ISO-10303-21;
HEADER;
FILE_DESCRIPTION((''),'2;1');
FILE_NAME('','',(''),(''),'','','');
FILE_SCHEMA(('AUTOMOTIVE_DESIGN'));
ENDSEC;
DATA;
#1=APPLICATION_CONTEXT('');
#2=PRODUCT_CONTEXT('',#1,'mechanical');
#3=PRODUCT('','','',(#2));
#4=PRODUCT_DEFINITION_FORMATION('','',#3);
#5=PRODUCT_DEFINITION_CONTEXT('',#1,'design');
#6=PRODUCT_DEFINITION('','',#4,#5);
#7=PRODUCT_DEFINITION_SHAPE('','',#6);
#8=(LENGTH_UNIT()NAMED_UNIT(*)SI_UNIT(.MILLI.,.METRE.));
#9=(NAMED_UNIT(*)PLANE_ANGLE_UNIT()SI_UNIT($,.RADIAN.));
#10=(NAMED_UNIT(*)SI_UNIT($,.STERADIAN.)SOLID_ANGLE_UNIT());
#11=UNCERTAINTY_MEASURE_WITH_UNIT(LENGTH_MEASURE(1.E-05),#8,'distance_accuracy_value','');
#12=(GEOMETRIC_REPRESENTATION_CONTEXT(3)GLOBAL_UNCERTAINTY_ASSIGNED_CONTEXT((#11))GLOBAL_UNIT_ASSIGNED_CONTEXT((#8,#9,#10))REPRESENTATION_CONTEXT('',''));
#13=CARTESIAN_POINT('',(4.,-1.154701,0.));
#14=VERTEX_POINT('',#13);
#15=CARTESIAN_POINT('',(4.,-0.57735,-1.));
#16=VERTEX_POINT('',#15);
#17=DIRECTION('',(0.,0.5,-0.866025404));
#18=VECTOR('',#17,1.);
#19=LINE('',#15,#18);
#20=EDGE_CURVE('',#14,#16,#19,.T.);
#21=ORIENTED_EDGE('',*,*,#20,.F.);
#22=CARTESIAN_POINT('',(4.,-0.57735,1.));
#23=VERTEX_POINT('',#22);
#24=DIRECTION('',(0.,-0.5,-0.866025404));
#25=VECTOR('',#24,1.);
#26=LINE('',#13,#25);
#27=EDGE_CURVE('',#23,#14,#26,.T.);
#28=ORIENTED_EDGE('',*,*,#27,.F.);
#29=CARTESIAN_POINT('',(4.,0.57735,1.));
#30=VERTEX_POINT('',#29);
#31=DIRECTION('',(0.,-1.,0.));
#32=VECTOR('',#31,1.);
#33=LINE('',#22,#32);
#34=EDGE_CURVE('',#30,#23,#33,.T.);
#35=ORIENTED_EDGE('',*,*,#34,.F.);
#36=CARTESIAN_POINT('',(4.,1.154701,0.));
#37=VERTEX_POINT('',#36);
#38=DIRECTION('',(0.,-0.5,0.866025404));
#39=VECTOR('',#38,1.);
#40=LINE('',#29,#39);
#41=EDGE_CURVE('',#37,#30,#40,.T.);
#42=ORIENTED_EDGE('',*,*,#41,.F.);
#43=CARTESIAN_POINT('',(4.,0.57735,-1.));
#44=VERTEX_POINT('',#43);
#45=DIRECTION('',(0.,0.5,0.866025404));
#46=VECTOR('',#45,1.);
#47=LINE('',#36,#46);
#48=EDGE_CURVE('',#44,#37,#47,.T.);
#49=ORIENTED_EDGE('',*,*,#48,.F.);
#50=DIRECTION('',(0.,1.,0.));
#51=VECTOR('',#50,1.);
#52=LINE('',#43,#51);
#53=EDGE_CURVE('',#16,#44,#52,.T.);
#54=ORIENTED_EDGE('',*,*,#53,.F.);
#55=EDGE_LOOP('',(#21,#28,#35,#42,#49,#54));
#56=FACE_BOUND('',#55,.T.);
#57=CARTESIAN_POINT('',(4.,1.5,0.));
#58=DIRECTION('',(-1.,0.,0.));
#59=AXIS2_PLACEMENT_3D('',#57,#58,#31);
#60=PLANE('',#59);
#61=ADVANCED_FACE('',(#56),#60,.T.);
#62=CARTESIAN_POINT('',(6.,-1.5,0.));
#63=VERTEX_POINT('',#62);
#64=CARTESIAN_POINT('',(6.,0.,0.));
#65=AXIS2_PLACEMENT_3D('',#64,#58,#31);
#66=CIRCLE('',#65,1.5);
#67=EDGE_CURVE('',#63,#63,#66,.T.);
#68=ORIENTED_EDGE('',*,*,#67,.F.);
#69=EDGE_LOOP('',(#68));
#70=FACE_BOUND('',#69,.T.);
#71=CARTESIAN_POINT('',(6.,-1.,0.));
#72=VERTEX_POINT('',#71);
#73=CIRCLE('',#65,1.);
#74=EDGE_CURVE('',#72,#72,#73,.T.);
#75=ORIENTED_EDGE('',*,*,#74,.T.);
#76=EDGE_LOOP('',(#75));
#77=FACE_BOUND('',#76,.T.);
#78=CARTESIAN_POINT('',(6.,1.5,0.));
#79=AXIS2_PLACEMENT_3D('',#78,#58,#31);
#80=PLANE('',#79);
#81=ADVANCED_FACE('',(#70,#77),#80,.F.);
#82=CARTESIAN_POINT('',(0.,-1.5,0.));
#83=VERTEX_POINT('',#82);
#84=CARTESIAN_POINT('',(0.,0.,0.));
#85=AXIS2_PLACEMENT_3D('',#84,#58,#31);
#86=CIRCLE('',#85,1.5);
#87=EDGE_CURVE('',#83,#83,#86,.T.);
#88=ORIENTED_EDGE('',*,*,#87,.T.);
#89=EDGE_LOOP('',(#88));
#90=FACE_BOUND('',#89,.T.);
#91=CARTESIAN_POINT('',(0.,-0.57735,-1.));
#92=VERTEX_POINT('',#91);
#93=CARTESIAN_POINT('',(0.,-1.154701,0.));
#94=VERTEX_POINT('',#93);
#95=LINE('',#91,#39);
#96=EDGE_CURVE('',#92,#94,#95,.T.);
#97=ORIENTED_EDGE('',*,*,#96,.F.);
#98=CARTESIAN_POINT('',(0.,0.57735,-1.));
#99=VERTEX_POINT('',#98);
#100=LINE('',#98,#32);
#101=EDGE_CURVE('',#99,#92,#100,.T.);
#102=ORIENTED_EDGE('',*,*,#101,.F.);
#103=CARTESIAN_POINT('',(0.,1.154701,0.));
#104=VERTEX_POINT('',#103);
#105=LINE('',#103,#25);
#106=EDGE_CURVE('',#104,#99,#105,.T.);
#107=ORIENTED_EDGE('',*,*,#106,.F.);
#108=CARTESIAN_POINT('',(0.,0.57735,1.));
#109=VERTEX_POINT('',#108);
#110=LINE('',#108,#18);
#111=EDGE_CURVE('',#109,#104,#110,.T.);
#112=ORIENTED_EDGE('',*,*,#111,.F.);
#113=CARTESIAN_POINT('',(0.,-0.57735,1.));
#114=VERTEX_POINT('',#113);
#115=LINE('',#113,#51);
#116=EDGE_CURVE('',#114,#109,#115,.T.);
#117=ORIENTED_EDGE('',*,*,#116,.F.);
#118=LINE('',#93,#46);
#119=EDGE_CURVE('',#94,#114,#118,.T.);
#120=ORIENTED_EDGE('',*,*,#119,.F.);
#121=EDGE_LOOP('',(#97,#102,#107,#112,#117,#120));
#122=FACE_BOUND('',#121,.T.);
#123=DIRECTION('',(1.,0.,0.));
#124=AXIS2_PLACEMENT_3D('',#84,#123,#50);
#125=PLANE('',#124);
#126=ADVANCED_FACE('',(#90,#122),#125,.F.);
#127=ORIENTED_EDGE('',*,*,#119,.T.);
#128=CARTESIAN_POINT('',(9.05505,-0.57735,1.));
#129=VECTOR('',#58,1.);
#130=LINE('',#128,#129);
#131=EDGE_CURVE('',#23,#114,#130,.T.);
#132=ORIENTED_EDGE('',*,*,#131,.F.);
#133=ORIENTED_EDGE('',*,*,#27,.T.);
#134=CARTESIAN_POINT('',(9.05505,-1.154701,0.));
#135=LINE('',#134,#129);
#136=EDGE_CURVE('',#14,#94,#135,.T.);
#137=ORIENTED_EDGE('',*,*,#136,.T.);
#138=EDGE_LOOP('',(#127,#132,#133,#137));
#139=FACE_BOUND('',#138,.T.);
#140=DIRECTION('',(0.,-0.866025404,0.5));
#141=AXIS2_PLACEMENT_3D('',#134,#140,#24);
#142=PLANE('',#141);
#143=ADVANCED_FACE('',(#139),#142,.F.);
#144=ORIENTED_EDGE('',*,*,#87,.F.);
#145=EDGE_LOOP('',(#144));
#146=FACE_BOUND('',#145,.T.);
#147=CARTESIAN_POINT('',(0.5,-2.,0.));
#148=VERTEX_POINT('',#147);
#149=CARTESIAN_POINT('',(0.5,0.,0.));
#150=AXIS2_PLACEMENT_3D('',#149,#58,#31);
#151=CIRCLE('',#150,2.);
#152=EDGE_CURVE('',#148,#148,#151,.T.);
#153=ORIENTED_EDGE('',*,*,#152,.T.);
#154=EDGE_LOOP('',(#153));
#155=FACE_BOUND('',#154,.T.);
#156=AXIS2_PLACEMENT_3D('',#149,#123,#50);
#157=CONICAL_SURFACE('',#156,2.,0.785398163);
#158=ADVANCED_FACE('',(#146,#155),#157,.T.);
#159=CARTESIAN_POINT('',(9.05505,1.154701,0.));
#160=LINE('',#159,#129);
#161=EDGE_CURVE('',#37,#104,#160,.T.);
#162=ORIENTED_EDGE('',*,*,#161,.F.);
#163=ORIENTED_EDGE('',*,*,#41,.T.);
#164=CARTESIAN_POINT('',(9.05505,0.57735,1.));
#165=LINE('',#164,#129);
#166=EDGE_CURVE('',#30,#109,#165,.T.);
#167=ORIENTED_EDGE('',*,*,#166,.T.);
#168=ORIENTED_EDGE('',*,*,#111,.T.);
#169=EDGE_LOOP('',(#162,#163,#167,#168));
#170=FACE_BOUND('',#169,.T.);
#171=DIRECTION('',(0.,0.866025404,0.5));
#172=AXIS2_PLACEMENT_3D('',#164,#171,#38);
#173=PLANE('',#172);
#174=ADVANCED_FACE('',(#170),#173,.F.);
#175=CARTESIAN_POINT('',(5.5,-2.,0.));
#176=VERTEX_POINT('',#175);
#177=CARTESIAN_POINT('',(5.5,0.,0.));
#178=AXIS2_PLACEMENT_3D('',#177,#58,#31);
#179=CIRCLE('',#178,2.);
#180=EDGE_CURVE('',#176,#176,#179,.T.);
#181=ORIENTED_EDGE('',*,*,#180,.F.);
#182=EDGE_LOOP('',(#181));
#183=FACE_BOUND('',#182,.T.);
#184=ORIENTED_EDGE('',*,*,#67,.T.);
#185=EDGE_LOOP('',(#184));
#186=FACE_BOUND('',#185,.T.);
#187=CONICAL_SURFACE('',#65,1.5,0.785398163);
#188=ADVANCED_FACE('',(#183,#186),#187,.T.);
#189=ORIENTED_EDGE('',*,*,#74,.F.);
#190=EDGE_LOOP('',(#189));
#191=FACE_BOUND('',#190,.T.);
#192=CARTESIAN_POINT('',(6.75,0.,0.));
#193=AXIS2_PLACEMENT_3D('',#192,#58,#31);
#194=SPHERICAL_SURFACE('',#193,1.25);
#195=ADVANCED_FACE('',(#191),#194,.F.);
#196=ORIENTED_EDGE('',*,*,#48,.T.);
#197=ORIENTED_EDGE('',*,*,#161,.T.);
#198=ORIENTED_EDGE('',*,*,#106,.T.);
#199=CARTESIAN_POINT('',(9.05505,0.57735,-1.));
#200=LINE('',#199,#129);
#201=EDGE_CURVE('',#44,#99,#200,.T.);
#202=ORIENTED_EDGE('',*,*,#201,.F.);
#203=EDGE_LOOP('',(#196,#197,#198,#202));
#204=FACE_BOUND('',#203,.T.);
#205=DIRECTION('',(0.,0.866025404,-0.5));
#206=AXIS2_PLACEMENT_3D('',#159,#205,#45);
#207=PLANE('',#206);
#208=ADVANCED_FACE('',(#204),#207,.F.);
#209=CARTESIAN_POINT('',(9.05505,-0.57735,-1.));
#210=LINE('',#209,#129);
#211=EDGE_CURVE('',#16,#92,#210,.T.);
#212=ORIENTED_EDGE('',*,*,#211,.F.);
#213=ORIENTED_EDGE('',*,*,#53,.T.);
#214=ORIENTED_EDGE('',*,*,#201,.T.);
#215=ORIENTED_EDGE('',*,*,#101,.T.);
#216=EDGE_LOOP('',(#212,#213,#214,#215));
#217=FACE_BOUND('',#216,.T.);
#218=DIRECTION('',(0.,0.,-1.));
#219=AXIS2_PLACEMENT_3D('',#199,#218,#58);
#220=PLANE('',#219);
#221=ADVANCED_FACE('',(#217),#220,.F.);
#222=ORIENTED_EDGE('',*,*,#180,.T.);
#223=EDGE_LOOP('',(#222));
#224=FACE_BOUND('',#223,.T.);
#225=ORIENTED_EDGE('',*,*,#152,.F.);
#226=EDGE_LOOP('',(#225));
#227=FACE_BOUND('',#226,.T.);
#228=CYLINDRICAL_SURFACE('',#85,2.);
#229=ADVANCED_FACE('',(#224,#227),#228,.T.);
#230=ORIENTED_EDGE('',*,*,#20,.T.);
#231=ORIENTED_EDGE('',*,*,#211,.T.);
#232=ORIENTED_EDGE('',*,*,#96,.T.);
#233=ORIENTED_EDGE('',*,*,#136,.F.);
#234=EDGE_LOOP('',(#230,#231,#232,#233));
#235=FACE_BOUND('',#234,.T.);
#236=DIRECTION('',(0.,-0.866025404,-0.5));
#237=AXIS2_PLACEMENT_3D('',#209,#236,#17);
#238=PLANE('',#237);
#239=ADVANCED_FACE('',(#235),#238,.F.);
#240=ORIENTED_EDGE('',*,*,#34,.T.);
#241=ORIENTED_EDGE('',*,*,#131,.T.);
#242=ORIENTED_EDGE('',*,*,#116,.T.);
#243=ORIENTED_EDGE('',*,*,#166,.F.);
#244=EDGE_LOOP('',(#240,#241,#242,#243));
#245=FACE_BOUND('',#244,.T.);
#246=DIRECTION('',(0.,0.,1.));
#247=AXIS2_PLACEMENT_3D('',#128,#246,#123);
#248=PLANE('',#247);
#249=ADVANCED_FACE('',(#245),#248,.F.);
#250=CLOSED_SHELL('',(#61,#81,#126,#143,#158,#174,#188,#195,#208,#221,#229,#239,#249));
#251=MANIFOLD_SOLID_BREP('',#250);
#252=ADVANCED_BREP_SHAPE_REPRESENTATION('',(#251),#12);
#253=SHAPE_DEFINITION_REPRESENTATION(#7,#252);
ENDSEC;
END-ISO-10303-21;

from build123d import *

# Parameters (mm, degrees)
CUT_EXTRUDE1_DEPTH = 4


with BuildPart() as part:
    # Sketch1 → Revolve1 (revolve)
    with BuildSketch(Plane.XY, mode=Mode.PRIVATE) as revolve1_sk:
        with BuildLine():
            Line((0, 0), (0, 1.5))
            Line((0, 1.5), (0.5, 2))
            Line((0.5, 2), (5.5, 2))
            Line((5.5, 2), (6, 1.5))
            Line((6, 1.5), (6, 1))
            ThreePointArc((6, 1), (5.631966011, 0.559016994), (5.5, 0))
            Line((5.5, 0), (0, 0))
        make_face()
    revolve(revolve1_sk.sketch.rotate(Axis((0, 0, 0), (1, 0, 0)), 180), axis=Axis((0, 0, 0), (1, 0, 0)))

    # Sketch2 → Cut-Extrude1 (cut)
    with BuildSketch(Plane.ZY):
        Polygon((0, 1.154700538), (-1, 0.577350269), (-1, -0.577350269), (0, -1.154700538), (1, -0.577350269), (1, 0.577350269), align=None)
    extrude(amount=-CUT_EXTRUDE1_DEPTH, mode=Mode.SUBTRACT)


solid = part.part
